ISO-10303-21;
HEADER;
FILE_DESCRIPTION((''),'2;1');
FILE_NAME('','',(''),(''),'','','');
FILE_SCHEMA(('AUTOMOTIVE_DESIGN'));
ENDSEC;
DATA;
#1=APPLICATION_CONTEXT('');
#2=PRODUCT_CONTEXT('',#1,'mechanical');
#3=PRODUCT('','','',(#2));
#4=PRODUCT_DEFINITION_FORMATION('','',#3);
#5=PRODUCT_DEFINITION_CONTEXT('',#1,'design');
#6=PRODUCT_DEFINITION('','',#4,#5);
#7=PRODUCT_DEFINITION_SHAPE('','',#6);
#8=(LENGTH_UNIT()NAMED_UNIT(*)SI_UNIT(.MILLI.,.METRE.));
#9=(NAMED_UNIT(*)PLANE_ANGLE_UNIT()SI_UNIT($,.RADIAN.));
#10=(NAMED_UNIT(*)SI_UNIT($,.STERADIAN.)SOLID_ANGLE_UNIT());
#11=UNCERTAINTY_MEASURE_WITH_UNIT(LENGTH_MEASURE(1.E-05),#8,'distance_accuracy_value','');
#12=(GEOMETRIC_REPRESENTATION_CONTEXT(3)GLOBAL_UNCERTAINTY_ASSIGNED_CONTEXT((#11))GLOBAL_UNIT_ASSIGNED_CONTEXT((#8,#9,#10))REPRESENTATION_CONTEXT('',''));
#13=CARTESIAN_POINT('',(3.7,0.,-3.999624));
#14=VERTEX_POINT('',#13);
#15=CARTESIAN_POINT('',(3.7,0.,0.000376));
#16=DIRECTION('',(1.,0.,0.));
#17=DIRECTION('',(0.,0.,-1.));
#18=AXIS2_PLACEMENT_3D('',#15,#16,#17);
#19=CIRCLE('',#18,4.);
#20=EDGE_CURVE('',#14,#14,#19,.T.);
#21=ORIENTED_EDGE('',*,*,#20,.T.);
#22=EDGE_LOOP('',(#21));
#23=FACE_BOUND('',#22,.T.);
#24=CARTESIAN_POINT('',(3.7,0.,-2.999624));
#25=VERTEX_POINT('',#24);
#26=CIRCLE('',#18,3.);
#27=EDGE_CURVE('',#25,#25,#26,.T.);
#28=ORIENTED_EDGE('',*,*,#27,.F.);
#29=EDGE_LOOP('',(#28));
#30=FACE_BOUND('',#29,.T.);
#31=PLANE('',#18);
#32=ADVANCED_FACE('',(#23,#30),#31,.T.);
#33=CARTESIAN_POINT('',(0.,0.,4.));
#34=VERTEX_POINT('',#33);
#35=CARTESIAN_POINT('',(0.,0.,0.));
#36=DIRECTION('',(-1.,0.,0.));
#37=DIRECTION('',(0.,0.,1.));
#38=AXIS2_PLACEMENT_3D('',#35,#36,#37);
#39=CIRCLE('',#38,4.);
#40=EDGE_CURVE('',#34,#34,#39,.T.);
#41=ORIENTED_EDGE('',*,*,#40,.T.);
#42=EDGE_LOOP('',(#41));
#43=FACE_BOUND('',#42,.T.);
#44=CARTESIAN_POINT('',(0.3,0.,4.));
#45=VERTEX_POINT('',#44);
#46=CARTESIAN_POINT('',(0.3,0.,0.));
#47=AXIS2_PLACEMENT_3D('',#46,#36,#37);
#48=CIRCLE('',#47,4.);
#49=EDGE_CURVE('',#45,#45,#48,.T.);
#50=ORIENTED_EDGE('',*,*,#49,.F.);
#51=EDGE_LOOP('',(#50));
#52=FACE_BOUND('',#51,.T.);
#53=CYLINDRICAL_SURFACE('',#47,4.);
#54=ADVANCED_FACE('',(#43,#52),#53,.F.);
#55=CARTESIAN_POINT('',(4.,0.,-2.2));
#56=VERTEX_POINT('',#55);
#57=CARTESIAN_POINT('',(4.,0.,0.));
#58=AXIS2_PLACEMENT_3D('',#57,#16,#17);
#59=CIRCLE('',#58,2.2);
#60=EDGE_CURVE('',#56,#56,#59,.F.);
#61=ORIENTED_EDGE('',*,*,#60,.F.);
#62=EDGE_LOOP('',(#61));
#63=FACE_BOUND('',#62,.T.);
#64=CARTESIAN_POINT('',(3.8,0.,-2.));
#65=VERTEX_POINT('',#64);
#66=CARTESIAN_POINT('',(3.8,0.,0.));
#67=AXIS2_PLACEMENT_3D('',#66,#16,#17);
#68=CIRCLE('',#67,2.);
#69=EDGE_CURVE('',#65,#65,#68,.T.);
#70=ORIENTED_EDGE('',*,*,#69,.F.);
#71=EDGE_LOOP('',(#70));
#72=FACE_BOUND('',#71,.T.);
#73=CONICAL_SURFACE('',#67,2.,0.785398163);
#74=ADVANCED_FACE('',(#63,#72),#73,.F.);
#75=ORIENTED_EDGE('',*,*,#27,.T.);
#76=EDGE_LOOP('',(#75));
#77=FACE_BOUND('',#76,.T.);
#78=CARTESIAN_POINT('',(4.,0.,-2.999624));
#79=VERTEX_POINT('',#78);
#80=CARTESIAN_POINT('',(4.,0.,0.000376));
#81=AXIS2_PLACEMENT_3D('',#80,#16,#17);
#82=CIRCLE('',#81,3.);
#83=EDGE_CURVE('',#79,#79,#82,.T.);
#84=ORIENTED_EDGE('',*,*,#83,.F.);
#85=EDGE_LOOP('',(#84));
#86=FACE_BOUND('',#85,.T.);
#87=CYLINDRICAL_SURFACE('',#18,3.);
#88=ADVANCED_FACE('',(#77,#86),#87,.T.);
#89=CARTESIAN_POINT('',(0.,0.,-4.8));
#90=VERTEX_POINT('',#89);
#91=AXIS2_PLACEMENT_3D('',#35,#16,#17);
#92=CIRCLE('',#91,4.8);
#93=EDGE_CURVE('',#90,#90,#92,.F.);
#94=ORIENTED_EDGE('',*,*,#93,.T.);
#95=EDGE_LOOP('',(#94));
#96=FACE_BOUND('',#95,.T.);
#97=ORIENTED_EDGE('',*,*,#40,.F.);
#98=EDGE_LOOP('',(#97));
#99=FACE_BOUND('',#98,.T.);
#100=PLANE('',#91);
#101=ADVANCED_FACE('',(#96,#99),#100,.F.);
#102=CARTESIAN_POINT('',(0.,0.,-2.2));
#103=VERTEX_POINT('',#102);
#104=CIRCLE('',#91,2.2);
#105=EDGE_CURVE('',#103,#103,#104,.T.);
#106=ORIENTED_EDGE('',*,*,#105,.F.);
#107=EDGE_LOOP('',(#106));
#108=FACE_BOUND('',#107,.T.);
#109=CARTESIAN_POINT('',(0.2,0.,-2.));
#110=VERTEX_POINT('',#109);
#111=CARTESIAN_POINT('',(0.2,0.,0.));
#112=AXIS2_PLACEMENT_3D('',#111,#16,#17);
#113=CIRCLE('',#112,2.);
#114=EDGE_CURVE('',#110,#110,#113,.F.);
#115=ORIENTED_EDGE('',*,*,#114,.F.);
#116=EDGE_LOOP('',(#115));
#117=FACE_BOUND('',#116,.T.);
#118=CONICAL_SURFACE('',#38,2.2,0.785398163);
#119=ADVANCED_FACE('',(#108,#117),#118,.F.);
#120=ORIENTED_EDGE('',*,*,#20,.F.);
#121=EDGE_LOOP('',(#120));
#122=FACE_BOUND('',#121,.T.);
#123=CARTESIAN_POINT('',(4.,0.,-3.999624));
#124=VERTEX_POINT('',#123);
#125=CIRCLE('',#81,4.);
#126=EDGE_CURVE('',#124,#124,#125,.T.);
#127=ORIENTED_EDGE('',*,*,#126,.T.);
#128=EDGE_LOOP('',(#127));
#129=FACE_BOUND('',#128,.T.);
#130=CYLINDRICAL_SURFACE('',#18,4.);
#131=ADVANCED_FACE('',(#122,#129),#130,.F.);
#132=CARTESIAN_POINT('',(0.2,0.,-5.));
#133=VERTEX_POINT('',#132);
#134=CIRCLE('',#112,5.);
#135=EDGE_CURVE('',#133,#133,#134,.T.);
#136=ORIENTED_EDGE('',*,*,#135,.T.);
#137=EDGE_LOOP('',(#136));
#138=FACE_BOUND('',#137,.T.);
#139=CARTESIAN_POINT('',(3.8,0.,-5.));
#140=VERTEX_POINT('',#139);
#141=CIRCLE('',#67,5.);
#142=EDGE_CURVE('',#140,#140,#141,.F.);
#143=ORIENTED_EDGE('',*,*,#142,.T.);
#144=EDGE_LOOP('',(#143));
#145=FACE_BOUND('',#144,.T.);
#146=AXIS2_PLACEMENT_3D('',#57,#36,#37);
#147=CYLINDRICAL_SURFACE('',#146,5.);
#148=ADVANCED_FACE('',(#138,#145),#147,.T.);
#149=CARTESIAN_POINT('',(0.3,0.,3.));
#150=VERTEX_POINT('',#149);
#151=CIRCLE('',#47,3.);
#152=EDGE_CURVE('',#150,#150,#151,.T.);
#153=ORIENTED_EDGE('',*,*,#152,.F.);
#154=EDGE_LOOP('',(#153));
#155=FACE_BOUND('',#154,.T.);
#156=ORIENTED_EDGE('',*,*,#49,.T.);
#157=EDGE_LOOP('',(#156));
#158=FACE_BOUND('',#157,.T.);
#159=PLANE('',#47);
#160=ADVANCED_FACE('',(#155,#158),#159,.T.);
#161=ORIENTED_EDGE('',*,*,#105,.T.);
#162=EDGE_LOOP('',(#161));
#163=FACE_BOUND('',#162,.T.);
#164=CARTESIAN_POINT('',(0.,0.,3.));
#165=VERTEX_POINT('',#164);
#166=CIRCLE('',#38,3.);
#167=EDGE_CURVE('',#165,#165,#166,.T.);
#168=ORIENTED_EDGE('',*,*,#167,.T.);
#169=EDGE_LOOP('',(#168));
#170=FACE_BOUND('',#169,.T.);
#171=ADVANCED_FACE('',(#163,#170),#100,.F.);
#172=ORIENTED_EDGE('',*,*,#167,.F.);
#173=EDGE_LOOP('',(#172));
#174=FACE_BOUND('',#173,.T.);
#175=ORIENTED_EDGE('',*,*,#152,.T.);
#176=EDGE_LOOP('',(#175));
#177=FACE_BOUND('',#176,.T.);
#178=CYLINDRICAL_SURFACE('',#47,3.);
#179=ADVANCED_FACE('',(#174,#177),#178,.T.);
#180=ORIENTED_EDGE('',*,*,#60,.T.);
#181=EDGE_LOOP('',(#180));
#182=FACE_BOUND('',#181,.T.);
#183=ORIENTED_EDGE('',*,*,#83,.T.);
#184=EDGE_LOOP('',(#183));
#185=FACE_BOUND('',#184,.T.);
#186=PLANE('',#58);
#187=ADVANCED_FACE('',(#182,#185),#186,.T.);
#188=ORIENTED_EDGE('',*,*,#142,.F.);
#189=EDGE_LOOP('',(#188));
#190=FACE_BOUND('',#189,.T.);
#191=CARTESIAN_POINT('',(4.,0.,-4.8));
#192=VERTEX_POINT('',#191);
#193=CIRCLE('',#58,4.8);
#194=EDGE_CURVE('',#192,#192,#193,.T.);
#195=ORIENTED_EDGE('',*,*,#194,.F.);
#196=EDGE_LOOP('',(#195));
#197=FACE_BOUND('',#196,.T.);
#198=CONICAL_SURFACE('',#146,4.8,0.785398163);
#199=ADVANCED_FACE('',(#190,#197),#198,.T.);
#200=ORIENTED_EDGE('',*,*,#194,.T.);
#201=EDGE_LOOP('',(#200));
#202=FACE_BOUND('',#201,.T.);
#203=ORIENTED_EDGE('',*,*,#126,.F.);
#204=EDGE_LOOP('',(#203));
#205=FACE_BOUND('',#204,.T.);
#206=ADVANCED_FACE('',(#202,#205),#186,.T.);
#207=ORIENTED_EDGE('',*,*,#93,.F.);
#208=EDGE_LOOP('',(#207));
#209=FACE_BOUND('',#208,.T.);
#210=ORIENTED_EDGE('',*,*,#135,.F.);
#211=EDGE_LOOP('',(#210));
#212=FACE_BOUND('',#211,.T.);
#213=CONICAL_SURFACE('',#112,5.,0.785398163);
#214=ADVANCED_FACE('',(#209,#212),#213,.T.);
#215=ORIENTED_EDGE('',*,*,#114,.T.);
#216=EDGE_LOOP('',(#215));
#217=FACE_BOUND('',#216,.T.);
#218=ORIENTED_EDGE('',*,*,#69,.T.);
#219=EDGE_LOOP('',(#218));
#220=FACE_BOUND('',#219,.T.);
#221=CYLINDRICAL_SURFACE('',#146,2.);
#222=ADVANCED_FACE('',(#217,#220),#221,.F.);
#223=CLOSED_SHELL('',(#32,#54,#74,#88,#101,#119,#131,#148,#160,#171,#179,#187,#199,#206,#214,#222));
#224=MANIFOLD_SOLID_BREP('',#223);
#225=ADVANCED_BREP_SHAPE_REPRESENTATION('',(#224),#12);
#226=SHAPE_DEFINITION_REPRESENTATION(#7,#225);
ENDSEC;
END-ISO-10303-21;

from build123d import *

# Parameters (mm, degrees)
SKETCH_1_R          = 5
SKETCH_1_R_2        = 2
EXTRUDE_1_DEPTH     = 4
SKETCH_2_R          = 4
SKETCH_2_R_2        = 3
CUT_EXTRUDE_1_DEPTH = 0.3
CHAMFER_1_SIZE      = 0.2
SKETCH_3_R          = 4
SKETCH_3_R_2        = 3
CUT_EXTRUDE_2_DEPTH = 0.3


with BuildPart() as part:
    # 草图1 → 凸台-拉伸1 (new body)
    with BuildSketch(Plane(origin=(0, 0, 0), x_dir=(0, 0, -1), z_dir=(1, 0, 0))):
        Circle(SKETCH_1_R)
        Circle(SKETCH_1_R_2, mode=Mode.SUBTRACT)
    extrude(amount=EXTRUDE_1_DEPTH)

    # 草图2 → 切除-拉伸1 (cut)
    with BuildSketch(Plane(origin=(4, 0, 0), x_dir=(0, 0, -1), z_dir=(1, 0, 0))):
        with Locations((-0.000375625, 0)):
            Circle(SKETCH_2_R)
        with Locations((-0.000375625, 0)):
            Circle(SKETCH_2_R_2, mode=Mode.SUBTRACT)
    extrude(amount=-CUT_EXTRUDE_1_DEPTH, mode=Mode.SUBTRACT)

    # 倒角1
    chamfer_1_edges = [part.edges().sort_by_distance(p)[0] for p in [
        (0, 0, 5),
        (4, 0, 5),
        (0, 0, 2),
        (4, 0, 2),
    ]]
    chamfer(chamfer_1_edges, length=CHAMFER_1_SIZE)

    # 草图3 → 切除-拉伸2 (cut)
    with BuildSketch(Plane.ZY):
        Circle(SKETCH_3_R)
        Circle(SKETCH_3_R_2, mode=Mode.SUBTRACT)
    extrude(amount=-CUT_EXTRUDE_2_DEPTH, mode=Mode.SUBTRACT)


solid = part.part
